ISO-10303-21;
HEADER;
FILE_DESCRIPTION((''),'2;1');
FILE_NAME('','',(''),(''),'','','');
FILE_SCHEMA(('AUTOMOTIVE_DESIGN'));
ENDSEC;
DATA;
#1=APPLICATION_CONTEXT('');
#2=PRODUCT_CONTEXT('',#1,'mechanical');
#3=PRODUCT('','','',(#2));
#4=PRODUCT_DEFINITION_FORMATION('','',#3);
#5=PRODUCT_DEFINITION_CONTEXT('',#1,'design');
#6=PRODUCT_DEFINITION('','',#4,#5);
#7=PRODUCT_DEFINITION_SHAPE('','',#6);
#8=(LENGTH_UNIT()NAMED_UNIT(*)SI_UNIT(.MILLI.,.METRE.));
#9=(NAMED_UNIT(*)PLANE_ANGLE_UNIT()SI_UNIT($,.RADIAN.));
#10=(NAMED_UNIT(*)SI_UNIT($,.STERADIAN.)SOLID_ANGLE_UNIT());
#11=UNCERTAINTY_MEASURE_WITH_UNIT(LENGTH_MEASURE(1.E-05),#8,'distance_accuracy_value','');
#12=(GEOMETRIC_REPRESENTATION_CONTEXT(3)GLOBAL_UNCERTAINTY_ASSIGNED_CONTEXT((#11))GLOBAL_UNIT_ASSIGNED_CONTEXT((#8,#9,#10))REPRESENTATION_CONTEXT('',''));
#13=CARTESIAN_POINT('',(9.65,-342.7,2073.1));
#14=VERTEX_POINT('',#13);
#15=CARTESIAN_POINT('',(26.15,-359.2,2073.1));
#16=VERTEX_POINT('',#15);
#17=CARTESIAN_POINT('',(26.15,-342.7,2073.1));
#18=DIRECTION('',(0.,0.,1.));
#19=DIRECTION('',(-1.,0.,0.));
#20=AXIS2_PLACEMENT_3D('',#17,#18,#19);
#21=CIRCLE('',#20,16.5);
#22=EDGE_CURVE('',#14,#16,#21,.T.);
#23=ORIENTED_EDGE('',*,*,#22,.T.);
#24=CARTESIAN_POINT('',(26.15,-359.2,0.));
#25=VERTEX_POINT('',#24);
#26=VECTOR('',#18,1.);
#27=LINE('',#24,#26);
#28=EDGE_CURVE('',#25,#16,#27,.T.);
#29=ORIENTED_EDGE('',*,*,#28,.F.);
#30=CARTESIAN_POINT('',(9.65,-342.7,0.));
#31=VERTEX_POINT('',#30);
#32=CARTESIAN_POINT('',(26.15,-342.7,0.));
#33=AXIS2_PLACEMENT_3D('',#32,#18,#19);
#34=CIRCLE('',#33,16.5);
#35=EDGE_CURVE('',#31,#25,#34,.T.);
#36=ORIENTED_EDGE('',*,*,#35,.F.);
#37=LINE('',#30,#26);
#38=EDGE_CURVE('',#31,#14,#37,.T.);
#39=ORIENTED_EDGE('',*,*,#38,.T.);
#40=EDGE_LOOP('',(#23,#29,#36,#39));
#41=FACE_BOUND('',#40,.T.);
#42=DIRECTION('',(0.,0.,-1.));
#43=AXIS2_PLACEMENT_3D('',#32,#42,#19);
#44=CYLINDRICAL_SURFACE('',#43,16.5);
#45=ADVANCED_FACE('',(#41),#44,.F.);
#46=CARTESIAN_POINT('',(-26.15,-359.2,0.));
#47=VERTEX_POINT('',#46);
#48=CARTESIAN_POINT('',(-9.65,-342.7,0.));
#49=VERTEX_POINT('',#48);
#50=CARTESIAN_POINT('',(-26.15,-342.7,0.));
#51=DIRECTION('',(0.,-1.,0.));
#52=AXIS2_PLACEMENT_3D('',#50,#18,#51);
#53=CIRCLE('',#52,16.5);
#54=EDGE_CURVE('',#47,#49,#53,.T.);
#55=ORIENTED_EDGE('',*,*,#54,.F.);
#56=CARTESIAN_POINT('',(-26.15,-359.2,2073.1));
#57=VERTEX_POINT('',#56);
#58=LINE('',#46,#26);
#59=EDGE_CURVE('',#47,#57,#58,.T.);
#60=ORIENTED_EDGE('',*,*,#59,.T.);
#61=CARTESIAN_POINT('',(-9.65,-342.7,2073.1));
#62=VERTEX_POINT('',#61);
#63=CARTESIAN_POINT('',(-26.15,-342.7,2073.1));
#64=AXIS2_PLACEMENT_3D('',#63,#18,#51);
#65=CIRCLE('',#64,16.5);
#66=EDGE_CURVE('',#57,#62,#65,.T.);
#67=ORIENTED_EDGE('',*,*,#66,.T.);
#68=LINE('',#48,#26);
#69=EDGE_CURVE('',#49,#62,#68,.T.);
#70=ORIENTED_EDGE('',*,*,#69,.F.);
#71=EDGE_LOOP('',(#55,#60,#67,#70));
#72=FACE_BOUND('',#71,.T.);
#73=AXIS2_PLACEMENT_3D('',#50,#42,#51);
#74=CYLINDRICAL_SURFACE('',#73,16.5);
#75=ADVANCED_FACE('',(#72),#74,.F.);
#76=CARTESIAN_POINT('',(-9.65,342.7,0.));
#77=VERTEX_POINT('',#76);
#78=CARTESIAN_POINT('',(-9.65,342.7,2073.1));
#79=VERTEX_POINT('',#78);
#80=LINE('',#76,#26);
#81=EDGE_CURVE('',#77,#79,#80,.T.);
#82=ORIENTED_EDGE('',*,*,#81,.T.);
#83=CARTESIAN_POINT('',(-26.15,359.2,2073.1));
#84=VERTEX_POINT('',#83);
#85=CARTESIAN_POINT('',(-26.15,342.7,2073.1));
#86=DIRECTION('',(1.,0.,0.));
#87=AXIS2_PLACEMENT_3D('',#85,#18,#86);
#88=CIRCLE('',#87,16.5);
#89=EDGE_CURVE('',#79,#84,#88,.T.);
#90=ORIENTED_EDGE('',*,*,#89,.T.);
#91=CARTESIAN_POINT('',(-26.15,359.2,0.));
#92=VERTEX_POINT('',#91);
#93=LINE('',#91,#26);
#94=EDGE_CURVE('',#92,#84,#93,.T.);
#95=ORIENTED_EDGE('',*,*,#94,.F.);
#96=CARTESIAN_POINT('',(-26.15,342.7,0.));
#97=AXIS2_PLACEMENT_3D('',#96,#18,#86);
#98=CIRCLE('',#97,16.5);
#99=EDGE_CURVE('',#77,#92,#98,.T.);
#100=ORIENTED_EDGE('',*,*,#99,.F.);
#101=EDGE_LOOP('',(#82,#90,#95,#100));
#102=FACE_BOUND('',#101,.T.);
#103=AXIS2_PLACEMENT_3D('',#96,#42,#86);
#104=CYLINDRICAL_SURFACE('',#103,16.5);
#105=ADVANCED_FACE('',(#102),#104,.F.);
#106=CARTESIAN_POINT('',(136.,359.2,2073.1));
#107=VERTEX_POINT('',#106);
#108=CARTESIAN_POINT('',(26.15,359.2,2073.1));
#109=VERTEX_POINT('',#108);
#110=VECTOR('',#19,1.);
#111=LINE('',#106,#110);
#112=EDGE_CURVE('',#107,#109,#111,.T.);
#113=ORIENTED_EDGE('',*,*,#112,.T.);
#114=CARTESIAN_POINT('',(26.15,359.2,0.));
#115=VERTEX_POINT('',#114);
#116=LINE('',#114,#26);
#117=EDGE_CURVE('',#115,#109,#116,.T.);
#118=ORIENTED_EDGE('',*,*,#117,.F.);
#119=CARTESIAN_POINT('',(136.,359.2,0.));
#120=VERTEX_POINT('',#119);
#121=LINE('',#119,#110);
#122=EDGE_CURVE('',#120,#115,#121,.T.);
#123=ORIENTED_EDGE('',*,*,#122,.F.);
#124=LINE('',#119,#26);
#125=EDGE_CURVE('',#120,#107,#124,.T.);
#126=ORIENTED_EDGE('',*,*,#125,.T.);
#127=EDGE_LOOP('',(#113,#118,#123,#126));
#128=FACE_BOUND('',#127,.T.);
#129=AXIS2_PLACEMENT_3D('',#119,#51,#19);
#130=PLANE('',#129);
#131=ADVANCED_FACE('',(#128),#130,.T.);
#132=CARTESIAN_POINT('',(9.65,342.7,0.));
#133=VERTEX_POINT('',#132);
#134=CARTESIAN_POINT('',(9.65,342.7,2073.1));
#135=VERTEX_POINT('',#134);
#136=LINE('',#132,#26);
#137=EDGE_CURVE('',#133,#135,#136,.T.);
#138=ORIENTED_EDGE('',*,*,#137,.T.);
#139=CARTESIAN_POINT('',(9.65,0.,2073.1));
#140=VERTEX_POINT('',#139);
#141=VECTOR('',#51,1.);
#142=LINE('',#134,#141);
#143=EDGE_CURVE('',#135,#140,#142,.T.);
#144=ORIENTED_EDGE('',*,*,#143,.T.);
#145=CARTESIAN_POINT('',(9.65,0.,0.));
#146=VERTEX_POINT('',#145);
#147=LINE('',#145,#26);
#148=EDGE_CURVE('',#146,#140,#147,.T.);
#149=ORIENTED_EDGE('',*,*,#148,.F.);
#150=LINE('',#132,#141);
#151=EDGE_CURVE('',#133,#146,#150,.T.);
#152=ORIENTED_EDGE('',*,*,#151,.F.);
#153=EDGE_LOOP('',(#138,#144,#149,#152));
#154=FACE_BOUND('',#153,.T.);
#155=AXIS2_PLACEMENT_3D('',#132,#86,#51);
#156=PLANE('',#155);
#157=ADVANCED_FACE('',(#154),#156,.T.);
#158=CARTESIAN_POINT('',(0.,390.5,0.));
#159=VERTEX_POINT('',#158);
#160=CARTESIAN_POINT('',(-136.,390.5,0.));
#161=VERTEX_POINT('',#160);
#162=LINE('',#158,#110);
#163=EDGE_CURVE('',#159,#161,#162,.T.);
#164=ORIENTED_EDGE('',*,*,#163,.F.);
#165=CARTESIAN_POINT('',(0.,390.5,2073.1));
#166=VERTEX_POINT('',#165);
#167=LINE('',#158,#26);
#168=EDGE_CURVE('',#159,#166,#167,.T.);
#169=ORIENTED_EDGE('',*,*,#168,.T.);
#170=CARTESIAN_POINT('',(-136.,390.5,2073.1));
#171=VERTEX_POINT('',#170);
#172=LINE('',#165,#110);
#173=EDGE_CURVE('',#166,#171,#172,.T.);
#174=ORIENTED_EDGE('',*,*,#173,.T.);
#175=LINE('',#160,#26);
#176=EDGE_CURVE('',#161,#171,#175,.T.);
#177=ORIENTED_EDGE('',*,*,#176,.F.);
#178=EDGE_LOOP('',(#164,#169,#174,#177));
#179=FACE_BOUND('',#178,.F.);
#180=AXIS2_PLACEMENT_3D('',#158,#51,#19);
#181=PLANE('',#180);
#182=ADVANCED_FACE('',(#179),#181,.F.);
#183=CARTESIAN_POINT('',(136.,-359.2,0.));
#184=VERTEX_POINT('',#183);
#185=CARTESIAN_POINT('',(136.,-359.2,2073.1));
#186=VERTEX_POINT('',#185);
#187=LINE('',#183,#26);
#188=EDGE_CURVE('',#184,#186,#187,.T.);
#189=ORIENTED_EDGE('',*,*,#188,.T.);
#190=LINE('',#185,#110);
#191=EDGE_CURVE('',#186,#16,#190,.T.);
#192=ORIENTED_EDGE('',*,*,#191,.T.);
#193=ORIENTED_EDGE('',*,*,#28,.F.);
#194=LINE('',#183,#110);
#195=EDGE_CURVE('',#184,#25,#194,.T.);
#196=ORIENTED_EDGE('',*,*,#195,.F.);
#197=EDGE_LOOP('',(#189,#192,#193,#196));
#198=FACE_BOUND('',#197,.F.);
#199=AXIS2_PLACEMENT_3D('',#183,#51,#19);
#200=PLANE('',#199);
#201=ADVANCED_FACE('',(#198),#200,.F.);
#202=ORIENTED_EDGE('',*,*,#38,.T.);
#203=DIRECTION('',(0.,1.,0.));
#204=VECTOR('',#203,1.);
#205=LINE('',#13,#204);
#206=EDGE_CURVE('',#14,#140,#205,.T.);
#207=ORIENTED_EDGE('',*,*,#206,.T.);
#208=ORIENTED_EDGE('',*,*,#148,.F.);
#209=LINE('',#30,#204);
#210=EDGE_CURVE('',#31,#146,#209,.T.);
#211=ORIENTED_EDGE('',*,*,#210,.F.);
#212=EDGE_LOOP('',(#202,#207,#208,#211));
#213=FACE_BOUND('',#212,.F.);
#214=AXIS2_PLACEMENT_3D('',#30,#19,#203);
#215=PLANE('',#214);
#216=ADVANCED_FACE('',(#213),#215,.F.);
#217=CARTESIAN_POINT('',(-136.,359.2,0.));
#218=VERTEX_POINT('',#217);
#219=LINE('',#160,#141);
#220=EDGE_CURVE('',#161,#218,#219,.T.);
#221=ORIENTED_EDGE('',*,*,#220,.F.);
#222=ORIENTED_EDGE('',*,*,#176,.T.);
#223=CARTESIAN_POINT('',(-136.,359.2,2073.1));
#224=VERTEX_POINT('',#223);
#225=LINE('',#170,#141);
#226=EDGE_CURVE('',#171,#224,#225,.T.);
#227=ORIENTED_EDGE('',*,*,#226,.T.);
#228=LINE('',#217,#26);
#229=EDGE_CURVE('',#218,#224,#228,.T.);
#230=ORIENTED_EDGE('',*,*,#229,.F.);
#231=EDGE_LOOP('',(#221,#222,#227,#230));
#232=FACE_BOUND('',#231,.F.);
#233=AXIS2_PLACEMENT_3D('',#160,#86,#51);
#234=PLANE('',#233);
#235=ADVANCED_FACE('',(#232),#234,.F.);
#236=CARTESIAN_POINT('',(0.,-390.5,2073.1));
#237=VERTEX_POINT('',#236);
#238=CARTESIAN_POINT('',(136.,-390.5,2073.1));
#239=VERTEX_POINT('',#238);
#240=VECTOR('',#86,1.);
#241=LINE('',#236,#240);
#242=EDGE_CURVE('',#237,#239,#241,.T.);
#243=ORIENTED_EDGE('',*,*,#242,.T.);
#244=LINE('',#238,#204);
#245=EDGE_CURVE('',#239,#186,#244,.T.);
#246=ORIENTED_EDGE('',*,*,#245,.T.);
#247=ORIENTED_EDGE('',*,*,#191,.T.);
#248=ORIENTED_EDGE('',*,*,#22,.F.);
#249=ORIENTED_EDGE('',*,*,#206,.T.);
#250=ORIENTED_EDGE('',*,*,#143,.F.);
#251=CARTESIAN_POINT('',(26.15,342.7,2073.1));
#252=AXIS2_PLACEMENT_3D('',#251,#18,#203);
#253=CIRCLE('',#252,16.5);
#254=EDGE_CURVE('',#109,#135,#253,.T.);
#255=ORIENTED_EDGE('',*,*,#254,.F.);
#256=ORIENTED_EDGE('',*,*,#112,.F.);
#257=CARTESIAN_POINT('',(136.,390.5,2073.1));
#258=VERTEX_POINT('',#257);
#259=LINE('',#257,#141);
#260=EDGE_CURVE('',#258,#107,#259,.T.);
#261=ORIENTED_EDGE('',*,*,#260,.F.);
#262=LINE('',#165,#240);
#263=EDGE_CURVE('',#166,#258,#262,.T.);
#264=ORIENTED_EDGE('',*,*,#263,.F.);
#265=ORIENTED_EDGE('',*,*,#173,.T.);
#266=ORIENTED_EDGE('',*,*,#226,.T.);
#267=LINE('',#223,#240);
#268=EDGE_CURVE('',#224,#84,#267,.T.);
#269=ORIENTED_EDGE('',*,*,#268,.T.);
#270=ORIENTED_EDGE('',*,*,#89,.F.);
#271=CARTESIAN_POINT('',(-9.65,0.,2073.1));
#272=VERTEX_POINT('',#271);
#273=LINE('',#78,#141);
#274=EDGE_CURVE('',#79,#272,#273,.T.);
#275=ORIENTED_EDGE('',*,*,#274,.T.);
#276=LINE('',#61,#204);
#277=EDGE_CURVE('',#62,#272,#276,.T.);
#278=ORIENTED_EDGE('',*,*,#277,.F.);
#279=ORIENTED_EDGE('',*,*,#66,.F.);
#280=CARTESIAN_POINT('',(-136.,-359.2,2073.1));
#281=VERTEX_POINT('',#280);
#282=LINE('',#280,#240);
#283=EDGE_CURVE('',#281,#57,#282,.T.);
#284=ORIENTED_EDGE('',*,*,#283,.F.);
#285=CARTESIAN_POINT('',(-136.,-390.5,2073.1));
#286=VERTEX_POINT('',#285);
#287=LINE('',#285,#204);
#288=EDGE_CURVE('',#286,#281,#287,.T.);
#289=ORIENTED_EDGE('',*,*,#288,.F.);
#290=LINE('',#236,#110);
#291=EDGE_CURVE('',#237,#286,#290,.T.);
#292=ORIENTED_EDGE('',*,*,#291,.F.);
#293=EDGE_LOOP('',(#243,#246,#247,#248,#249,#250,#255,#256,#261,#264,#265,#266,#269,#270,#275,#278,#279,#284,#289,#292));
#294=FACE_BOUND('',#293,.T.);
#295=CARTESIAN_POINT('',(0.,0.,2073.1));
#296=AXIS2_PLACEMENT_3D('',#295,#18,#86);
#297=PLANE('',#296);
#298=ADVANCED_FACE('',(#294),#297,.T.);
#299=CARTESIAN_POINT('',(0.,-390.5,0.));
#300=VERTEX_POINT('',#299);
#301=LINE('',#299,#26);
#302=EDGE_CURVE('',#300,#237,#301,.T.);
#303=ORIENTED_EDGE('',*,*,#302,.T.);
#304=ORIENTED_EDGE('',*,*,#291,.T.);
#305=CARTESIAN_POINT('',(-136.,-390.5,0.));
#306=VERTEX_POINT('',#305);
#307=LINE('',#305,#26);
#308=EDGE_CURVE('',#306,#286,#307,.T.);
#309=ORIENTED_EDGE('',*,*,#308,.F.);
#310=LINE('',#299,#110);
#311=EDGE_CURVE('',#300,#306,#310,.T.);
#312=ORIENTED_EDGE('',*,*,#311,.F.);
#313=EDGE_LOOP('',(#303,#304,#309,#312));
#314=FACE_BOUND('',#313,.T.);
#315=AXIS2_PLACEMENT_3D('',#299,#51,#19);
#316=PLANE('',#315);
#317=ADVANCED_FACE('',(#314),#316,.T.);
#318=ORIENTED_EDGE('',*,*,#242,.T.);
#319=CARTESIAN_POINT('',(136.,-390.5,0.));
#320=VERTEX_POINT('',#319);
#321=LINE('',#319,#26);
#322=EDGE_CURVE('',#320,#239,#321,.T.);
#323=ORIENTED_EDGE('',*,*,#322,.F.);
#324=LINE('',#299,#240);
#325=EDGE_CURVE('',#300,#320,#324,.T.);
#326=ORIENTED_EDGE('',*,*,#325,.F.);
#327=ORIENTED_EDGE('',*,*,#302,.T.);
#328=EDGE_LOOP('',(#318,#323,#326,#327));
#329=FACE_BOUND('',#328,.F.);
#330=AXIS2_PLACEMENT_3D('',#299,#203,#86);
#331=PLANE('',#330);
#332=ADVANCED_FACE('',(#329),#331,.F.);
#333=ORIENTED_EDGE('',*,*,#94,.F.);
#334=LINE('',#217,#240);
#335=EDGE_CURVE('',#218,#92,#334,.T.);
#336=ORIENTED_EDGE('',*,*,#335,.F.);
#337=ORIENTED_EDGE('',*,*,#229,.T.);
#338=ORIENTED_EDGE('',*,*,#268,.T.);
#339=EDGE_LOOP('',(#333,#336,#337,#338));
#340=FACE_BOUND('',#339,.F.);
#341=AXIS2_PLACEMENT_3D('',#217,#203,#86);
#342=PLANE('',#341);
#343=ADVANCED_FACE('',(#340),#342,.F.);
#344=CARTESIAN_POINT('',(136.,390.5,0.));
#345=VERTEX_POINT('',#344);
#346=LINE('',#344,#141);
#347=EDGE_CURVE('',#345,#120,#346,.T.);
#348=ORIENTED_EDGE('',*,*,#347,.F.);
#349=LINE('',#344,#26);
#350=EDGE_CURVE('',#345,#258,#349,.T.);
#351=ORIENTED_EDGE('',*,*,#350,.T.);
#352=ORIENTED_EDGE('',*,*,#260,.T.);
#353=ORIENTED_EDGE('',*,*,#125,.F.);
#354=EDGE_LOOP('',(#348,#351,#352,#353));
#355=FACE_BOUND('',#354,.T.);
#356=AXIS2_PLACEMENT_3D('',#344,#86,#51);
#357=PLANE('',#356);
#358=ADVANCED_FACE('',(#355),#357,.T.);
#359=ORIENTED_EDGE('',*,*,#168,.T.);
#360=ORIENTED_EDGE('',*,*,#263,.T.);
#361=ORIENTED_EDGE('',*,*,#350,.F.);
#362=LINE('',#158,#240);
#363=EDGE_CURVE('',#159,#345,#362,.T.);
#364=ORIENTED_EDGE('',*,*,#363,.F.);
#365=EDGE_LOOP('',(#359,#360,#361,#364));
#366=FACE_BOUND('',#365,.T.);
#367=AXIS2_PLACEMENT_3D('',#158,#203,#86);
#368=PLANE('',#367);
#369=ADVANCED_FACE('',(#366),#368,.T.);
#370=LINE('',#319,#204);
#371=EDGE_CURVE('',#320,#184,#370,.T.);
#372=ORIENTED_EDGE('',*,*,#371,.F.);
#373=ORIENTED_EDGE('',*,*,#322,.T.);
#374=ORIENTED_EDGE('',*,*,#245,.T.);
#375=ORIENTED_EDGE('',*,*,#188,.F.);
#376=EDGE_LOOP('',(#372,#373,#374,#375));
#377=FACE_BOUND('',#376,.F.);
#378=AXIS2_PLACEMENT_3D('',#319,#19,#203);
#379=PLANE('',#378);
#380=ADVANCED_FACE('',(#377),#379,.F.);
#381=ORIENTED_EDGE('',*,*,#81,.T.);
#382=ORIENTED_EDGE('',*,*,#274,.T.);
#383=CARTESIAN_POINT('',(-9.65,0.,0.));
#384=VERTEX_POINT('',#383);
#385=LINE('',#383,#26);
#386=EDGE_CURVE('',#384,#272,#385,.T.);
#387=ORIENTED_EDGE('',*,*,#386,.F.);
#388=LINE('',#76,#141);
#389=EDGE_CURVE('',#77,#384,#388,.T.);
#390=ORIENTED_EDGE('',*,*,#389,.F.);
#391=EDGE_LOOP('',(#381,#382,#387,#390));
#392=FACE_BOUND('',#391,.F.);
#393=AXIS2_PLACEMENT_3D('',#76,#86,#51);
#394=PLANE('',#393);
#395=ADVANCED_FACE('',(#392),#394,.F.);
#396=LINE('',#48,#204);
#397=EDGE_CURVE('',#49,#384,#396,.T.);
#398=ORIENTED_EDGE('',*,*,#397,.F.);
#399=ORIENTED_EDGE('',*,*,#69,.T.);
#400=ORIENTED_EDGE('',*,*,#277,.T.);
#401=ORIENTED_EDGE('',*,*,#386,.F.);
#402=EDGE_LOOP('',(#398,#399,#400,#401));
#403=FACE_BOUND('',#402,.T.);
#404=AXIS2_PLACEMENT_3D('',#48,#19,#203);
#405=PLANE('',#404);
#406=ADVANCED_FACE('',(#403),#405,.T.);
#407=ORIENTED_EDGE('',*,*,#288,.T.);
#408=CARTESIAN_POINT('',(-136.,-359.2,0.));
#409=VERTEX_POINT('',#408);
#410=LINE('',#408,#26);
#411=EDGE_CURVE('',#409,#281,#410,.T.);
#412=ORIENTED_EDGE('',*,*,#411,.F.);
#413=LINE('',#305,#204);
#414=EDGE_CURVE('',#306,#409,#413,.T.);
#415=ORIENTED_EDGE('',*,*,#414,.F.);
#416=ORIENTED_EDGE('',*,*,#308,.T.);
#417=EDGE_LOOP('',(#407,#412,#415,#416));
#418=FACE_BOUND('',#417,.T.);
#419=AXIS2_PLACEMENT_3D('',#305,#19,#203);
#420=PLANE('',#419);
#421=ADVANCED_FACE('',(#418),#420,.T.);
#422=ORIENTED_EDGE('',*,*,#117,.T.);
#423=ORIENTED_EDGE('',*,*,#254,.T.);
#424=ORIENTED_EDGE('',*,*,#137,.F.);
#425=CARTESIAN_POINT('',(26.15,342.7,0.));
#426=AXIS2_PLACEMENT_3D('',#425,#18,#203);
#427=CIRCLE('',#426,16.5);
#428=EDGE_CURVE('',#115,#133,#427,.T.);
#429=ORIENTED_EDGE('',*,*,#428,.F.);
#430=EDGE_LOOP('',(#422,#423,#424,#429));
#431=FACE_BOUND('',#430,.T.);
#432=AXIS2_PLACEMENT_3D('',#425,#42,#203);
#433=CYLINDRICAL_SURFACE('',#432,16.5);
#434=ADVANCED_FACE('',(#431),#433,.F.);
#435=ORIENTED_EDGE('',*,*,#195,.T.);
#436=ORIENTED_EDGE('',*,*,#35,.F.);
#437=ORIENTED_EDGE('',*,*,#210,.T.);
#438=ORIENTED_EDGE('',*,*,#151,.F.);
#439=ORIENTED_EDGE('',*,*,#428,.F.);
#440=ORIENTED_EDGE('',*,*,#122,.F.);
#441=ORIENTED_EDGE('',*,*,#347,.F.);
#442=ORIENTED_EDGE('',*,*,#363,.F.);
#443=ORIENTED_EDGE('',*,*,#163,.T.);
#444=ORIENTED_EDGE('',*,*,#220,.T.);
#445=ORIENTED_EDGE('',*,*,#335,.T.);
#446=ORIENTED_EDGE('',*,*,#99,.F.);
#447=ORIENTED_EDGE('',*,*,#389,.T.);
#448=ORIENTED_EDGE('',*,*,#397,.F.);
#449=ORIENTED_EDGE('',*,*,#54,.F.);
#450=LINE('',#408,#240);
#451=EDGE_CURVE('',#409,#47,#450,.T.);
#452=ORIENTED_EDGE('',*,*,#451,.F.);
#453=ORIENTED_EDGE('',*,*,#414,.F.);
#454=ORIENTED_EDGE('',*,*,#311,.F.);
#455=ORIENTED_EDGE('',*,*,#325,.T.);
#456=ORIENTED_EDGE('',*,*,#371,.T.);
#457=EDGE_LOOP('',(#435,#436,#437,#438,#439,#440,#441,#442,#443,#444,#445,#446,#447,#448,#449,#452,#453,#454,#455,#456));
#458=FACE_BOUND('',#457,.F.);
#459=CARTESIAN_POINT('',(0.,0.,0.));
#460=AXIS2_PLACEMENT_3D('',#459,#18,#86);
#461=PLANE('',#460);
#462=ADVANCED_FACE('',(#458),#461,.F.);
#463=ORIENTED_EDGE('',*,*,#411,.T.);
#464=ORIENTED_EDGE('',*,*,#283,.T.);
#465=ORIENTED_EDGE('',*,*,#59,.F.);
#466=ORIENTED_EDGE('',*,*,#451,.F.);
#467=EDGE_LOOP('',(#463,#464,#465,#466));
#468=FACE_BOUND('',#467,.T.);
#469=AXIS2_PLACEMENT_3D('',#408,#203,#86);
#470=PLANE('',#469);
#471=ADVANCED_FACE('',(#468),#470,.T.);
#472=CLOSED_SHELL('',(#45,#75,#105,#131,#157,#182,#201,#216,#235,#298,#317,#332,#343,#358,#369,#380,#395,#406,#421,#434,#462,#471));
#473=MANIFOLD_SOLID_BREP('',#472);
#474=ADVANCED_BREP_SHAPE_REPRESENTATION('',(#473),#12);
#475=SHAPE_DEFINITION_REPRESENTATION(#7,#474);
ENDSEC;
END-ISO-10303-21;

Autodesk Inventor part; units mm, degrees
ref_plane "YZ Plane" through (0, 0, 0) normal (1, 0, 0) x (0, 1, 0)
ref_plane "Start plane" through (0, 0, 0) normal (0, 0, 1) x (1, 0, 0)
ref_plane "End plane" through (0, 0, 2073.1) normal (0, 0, 1) x (1, 0, 0)
sketch "Sketch" plane through (0, 0, 0) normal (0, 0, 1) x (1, 0, 0)
  line L0 (-136, -390.5) -> (-136, -359.2)
  line L1 (-136, -359.2) -> (-26.15, -359.2)
  line L2 (-9.65, -342.7) -> (-9.65, 0)
  line L3 (-9.65, 0) -> (0, 0) construction
  line L4 (0, 0) -> (0, -390.5) construction
  line L5 (0, -390.5) -> (-136, -390.5)
  line L6 (-60, 0) -> (80, 0) construction
  line L7 (0, -60) -> (0, 80) construction
  line L8 (136, -390.5) -> (136, -359.2)
  line L9 (136, -359.2) -> (26.15, -359.2)
  line L10 (9.65, -342.7) -> (9.65, 0)
  line L11 (9.65, 0) -> (0, 0) construction
  line L12 (0, -390.5) -> (136, -390.5)
  line L13 (-136, 390.5) -> (-136, 359.2)
  line L14 (-136, 359.2) -> (-26.15, 359.2)
  line L15 (-9.65, 342.7) -> (-9.65, 0)
  line L16 (0, 390.5) -> (-136, 390.5)
  line L17 (136, 390.5) -> (136, 359.2)
  line L18 (136, 359.2) -> (26.15, 359.2)
  line L19 (0, 390.5) -> (136, 390.5)
  line L20 (9.65, 342.7) -> (9.65, 0)
  arc A0 (-9.65, 342.7) -> (-26.15, 359.2) centre (-26.15, 342.7) ccw
  arc A1 (26.15, 359.2) -> (9.65, 342.7) centre (26.15, 342.7) ccw
  arc A2 (9.65, -342.7) -> (26.15, -359.2) centre (26.15, -342.7) ccw
  arc A3 (-26.15, -359.2) -> (-9.65, -342.7) centre (-26.15, -342.7) ccw
  line L21 (0, 108) -> (0, -88) construction
  line L22 (-88, 0) -> (108, 0) construction
  point P0 (-9.65, -359.2)
  point P1 (9.65, -359.2)
  point P2 (-9.65, 359.2)
  point P3 (9.65, 359.2)
  dimension "d1" = 390.5
  dimension "d2" = 31.3
  dimension "d3" = 136
  dimension "d4" = 9.65
  dimension "d10" = 16.5
extrude "Body" add sketch "Sketch" along normal up to surface (2073.1 mm away) from surface at 0
sketch "Sketch4" plane through (0, 0, 0) normal (0, 0, 1) x (1, 0, 0)
  line L0 (0, 0) -> (10, 0)
ref_plane "Work Plane3" through (0, 0, 0) normal (0, -1, 0) x (1, 0, 0)
sketch "Sketch5" plane through (0, 0, 0) normal (0, -1, 0) x (1, 0, 0)
  line L0 (-2, 0) -> (12, 0) projected
  line L1 (-2, 2073.1) -> (12, 2073.1) projected
  dimension "d14" = 2073.1
equation "\"d1\" = 0.5 * G_H"
equation "\"d2\" = G_T1"
equation "\"d3\" = 0.5 * G_W"
equation "\"d4\" = 0.5 * G_T"
equation "\"d10\" = G_IR"
equation "\"d5\" = G_L"
equation "\"G_W\" = 272"
equation "\"G_H\" = 781"
equation "\"G_T\" = 19.3"
equation "\"G_T1\" = 31.3"
equation "\"G_IR\" = 16.5"
equation "\"G_L\" = d14"
equation "\"G_OFFSET_START\" = 0"
equation "\"G_OFFSET_END\" = 0"
equation "\"d12\" = G_OFFSET_END + B_L"
equation "\"B_L\" = 2073.1"
properties part number "AS 3679-1990 - 760 UB - 244 - 2073.1" material "Steel, Mild"
